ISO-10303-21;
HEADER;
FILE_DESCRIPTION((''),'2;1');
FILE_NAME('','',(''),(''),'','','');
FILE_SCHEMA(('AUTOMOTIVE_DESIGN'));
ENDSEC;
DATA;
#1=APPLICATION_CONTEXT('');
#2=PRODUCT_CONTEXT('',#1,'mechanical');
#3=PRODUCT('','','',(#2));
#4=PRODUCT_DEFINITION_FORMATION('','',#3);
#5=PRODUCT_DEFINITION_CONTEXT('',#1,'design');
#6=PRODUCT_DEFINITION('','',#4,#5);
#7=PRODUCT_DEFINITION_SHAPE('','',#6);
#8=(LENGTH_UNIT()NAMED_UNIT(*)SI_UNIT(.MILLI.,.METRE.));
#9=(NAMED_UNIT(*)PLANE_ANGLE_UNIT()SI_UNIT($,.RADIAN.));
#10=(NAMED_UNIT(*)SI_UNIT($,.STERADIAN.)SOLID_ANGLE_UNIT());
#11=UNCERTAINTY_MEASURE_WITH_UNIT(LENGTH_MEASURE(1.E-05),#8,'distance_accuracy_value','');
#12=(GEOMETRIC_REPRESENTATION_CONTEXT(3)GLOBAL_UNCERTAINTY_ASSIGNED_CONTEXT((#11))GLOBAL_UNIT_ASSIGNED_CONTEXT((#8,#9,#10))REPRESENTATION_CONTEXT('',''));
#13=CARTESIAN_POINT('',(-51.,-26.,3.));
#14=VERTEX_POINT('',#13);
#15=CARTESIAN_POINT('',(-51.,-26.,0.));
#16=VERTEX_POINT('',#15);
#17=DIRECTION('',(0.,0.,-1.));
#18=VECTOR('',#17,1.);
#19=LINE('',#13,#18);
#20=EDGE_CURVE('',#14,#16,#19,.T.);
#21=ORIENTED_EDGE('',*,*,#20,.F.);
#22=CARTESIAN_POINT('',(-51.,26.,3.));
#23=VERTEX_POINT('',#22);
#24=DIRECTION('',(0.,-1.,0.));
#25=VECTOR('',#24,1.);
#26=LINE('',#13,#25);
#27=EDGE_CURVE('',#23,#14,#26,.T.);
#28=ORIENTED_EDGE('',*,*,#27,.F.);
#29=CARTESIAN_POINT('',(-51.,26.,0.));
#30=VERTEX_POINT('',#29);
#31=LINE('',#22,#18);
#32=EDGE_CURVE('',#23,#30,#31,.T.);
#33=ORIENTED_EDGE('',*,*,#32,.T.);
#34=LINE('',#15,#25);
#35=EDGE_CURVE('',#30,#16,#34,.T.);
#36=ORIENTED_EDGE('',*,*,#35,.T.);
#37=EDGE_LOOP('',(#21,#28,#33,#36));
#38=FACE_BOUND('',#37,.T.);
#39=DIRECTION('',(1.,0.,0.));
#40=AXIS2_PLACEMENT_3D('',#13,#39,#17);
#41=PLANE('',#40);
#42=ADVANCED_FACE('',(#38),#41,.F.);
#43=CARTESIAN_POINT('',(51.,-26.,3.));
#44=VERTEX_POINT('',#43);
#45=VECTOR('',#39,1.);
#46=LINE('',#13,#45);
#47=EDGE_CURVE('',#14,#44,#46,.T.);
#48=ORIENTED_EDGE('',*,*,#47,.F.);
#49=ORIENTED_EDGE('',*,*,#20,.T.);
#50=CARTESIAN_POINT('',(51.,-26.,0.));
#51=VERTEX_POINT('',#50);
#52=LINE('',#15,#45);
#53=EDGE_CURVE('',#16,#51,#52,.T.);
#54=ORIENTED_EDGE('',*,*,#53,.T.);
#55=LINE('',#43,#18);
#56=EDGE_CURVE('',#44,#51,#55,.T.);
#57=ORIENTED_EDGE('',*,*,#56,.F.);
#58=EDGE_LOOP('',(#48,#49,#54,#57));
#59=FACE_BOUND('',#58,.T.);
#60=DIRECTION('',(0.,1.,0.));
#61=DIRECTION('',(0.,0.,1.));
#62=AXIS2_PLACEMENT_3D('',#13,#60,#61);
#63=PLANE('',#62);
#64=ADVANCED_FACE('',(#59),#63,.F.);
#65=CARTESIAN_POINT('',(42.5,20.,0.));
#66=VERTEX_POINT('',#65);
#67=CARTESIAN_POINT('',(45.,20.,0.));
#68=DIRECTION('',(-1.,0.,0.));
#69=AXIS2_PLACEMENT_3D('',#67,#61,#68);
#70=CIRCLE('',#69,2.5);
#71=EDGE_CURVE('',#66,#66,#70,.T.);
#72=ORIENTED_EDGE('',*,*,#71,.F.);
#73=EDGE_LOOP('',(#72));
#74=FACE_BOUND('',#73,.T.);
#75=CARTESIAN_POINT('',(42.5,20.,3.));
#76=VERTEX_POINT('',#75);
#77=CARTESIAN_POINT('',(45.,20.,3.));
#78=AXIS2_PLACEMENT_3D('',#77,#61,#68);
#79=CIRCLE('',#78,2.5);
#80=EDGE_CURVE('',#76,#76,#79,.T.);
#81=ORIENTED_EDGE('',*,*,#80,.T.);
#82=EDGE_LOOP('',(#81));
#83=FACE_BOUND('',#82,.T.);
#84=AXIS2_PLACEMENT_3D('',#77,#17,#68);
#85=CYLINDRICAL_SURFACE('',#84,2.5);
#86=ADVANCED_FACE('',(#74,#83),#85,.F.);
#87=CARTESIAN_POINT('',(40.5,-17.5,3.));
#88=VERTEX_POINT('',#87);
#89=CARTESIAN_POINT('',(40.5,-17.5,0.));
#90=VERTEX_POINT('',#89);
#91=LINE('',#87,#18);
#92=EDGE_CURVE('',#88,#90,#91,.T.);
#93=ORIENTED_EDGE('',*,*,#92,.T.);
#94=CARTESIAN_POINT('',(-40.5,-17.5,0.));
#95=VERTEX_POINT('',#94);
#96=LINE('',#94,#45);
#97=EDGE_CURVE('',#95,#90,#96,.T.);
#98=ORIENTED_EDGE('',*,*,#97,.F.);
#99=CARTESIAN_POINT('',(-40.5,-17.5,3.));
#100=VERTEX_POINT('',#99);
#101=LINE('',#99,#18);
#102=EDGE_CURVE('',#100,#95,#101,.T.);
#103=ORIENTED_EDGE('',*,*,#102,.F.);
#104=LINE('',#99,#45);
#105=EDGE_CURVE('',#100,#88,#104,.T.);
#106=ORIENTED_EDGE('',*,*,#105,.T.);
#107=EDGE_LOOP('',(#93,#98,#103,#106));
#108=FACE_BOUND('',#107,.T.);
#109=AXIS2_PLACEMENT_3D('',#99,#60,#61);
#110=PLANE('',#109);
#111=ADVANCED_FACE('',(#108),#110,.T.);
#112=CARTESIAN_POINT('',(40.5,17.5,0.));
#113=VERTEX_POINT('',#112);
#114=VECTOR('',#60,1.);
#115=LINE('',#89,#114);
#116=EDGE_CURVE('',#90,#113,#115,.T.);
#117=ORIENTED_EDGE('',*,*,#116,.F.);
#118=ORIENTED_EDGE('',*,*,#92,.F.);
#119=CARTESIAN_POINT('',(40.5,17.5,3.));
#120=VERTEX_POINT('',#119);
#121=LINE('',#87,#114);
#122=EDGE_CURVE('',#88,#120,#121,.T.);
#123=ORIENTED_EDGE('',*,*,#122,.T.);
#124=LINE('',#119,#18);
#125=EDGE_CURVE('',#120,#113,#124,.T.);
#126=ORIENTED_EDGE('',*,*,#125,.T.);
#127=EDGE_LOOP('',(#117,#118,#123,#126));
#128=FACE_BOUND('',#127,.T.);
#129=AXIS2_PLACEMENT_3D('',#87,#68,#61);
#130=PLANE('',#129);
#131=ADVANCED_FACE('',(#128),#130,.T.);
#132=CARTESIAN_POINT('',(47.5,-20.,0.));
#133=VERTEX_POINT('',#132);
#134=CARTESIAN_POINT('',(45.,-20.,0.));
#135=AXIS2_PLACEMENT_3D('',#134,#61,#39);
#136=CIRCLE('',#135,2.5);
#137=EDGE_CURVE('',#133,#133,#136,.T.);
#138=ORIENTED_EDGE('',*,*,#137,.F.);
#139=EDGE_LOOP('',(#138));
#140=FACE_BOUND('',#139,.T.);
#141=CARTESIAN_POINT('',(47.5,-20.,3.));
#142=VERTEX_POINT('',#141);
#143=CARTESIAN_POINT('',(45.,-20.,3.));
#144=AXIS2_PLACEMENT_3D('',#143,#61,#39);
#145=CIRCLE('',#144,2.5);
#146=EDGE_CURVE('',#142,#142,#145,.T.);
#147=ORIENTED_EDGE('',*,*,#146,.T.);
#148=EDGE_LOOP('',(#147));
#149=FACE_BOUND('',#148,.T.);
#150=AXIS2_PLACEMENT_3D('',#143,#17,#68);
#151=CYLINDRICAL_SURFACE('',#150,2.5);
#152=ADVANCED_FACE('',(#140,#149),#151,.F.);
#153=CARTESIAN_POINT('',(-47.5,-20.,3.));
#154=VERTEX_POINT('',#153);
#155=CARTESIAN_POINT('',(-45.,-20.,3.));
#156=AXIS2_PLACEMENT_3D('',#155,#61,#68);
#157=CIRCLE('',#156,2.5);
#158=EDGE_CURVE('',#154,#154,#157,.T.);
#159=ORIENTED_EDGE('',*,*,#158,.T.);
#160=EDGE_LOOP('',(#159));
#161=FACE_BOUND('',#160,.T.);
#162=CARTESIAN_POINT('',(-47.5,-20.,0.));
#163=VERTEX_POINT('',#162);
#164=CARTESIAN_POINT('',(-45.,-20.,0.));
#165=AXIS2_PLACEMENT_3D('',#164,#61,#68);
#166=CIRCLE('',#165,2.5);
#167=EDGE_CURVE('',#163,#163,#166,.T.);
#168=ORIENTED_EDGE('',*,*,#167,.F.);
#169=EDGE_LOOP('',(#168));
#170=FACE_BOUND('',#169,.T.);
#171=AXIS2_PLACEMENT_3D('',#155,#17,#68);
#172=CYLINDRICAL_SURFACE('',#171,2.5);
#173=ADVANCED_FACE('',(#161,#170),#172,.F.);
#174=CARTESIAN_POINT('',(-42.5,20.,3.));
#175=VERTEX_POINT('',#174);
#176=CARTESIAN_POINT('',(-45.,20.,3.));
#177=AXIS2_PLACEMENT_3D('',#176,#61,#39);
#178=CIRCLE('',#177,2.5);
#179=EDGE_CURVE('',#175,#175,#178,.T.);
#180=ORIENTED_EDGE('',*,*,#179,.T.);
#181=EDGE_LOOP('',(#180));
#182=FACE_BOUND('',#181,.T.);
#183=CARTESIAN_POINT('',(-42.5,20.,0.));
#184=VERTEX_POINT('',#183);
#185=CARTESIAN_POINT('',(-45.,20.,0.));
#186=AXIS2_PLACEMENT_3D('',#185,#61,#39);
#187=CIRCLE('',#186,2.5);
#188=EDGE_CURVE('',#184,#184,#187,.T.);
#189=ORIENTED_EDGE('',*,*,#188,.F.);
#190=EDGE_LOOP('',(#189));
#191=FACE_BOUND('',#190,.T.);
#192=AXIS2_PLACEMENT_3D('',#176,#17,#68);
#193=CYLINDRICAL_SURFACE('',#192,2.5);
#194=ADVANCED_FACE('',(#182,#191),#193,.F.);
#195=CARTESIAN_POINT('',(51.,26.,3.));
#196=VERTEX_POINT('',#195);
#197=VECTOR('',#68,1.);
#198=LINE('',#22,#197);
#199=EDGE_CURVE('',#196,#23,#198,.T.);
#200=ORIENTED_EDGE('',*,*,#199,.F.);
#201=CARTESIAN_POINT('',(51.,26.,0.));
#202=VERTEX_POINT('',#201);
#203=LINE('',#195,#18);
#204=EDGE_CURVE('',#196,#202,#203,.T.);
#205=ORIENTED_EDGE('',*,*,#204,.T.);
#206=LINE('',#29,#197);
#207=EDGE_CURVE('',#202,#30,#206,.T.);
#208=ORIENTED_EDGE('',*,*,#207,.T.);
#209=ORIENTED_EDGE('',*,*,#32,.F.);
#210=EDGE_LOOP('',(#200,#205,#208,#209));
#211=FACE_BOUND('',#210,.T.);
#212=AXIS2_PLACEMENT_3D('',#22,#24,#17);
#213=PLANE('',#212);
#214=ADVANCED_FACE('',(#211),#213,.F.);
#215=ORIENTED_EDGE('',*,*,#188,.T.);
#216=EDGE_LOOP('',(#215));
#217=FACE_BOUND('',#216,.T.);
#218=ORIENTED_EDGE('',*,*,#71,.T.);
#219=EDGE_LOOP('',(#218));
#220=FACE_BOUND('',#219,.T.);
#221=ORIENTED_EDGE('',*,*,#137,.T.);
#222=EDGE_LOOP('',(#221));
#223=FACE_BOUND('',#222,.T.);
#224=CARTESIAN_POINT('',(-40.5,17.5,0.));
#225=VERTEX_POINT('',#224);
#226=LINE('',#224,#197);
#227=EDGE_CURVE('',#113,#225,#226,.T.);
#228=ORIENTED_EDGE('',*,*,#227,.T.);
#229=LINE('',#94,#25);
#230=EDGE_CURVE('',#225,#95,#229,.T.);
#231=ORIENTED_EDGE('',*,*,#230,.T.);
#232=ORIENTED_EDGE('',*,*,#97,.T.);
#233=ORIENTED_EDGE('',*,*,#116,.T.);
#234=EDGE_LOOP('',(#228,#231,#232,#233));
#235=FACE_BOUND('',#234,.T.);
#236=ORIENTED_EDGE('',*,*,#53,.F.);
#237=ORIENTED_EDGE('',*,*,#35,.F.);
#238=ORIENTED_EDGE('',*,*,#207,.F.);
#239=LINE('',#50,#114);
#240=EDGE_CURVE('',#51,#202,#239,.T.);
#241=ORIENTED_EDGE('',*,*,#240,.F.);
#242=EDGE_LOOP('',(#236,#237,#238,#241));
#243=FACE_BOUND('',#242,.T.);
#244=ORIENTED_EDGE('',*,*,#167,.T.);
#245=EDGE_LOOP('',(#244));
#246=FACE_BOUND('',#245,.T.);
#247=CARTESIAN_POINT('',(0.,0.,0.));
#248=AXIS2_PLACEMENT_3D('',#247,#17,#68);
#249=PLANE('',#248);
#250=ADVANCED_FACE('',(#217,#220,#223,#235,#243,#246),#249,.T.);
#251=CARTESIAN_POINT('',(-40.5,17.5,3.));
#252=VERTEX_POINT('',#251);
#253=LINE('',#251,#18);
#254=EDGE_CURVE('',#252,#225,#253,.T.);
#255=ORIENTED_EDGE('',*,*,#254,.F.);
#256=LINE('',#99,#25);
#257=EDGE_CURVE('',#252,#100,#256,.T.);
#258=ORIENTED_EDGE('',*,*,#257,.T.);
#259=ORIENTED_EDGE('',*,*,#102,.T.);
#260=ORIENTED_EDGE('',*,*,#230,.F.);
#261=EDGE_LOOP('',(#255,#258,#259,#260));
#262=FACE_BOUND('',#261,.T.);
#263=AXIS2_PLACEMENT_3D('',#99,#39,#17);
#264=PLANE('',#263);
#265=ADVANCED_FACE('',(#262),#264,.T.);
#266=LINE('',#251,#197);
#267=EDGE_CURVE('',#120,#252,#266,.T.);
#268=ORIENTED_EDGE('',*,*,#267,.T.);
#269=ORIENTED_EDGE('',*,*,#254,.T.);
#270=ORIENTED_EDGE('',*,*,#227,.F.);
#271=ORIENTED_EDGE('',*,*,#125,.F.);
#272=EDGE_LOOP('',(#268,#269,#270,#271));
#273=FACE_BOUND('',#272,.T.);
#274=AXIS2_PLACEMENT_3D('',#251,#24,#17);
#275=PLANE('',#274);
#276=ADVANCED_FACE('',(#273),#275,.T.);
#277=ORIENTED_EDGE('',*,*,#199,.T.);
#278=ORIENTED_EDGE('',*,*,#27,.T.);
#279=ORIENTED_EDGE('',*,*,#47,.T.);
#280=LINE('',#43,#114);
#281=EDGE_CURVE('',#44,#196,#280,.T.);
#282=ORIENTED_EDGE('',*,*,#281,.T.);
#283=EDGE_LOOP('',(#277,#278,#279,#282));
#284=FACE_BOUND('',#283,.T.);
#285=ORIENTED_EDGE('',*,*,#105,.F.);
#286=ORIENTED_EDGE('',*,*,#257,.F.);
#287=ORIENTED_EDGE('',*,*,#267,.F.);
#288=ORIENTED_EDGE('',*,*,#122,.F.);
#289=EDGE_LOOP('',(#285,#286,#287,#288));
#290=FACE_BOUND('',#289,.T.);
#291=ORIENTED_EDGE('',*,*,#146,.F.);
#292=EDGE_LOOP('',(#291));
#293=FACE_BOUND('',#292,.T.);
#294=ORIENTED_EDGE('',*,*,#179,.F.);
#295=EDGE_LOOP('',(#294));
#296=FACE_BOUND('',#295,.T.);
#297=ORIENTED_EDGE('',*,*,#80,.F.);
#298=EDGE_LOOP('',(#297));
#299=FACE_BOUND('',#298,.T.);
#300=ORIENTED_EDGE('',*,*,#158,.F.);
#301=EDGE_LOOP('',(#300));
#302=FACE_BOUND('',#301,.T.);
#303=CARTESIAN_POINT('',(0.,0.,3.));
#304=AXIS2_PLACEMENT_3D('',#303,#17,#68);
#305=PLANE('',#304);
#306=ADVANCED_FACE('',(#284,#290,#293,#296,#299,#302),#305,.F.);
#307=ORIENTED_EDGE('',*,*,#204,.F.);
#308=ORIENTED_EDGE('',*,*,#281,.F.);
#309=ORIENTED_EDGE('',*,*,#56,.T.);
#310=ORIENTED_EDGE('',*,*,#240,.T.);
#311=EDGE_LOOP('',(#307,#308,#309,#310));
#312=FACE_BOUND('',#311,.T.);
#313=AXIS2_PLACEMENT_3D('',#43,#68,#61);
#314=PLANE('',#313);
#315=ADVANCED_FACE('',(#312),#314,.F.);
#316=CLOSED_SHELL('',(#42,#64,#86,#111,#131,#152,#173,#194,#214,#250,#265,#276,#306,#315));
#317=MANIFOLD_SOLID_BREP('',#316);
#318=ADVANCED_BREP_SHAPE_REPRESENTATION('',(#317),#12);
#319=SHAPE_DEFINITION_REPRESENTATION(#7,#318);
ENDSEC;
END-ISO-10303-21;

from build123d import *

# Parameters (mm, degrees)
SKETCH1_W           = 102
SKETCH1_H           = 52
SKETCH1_R           = 2.5
SKETCH1_W_2         = 81
SKETCH1_H_2         = 35
BOSS_EXTRUDE1_DEPTH = 3


with BuildPart() as part:
    # Sketch1 → Boss-Extrude1 (new body)
    with BuildSketch(Plane.XY):
        Rectangle(SKETCH1_W, SKETCH1_H)
        with Locations((-45, 20)):
            Circle(SKETCH1_R, mode=Mode.SUBTRACT)
        with Locations(Location((-45, -20, 0), (0, 0, 180))):
            Circle(SKETCH1_R, mode=Mode.SUBTRACT)
        with Locations((45, -20)):
            Circle(SKETCH1_R, mode=Mode.SUBTRACT)
        with Locations(Location((45, 20, 0), (0, 0, 180))):
            Circle(SKETCH1_R, mode=Mode.SUBTRACT)
        Rectangle(SKETCH1_W_2, SKETCH1_H_2, mode=Mode.SUBTRACT)
    extrude(amount=BOSS_EXTRUDE1_DEPTH)


solid = part.part
